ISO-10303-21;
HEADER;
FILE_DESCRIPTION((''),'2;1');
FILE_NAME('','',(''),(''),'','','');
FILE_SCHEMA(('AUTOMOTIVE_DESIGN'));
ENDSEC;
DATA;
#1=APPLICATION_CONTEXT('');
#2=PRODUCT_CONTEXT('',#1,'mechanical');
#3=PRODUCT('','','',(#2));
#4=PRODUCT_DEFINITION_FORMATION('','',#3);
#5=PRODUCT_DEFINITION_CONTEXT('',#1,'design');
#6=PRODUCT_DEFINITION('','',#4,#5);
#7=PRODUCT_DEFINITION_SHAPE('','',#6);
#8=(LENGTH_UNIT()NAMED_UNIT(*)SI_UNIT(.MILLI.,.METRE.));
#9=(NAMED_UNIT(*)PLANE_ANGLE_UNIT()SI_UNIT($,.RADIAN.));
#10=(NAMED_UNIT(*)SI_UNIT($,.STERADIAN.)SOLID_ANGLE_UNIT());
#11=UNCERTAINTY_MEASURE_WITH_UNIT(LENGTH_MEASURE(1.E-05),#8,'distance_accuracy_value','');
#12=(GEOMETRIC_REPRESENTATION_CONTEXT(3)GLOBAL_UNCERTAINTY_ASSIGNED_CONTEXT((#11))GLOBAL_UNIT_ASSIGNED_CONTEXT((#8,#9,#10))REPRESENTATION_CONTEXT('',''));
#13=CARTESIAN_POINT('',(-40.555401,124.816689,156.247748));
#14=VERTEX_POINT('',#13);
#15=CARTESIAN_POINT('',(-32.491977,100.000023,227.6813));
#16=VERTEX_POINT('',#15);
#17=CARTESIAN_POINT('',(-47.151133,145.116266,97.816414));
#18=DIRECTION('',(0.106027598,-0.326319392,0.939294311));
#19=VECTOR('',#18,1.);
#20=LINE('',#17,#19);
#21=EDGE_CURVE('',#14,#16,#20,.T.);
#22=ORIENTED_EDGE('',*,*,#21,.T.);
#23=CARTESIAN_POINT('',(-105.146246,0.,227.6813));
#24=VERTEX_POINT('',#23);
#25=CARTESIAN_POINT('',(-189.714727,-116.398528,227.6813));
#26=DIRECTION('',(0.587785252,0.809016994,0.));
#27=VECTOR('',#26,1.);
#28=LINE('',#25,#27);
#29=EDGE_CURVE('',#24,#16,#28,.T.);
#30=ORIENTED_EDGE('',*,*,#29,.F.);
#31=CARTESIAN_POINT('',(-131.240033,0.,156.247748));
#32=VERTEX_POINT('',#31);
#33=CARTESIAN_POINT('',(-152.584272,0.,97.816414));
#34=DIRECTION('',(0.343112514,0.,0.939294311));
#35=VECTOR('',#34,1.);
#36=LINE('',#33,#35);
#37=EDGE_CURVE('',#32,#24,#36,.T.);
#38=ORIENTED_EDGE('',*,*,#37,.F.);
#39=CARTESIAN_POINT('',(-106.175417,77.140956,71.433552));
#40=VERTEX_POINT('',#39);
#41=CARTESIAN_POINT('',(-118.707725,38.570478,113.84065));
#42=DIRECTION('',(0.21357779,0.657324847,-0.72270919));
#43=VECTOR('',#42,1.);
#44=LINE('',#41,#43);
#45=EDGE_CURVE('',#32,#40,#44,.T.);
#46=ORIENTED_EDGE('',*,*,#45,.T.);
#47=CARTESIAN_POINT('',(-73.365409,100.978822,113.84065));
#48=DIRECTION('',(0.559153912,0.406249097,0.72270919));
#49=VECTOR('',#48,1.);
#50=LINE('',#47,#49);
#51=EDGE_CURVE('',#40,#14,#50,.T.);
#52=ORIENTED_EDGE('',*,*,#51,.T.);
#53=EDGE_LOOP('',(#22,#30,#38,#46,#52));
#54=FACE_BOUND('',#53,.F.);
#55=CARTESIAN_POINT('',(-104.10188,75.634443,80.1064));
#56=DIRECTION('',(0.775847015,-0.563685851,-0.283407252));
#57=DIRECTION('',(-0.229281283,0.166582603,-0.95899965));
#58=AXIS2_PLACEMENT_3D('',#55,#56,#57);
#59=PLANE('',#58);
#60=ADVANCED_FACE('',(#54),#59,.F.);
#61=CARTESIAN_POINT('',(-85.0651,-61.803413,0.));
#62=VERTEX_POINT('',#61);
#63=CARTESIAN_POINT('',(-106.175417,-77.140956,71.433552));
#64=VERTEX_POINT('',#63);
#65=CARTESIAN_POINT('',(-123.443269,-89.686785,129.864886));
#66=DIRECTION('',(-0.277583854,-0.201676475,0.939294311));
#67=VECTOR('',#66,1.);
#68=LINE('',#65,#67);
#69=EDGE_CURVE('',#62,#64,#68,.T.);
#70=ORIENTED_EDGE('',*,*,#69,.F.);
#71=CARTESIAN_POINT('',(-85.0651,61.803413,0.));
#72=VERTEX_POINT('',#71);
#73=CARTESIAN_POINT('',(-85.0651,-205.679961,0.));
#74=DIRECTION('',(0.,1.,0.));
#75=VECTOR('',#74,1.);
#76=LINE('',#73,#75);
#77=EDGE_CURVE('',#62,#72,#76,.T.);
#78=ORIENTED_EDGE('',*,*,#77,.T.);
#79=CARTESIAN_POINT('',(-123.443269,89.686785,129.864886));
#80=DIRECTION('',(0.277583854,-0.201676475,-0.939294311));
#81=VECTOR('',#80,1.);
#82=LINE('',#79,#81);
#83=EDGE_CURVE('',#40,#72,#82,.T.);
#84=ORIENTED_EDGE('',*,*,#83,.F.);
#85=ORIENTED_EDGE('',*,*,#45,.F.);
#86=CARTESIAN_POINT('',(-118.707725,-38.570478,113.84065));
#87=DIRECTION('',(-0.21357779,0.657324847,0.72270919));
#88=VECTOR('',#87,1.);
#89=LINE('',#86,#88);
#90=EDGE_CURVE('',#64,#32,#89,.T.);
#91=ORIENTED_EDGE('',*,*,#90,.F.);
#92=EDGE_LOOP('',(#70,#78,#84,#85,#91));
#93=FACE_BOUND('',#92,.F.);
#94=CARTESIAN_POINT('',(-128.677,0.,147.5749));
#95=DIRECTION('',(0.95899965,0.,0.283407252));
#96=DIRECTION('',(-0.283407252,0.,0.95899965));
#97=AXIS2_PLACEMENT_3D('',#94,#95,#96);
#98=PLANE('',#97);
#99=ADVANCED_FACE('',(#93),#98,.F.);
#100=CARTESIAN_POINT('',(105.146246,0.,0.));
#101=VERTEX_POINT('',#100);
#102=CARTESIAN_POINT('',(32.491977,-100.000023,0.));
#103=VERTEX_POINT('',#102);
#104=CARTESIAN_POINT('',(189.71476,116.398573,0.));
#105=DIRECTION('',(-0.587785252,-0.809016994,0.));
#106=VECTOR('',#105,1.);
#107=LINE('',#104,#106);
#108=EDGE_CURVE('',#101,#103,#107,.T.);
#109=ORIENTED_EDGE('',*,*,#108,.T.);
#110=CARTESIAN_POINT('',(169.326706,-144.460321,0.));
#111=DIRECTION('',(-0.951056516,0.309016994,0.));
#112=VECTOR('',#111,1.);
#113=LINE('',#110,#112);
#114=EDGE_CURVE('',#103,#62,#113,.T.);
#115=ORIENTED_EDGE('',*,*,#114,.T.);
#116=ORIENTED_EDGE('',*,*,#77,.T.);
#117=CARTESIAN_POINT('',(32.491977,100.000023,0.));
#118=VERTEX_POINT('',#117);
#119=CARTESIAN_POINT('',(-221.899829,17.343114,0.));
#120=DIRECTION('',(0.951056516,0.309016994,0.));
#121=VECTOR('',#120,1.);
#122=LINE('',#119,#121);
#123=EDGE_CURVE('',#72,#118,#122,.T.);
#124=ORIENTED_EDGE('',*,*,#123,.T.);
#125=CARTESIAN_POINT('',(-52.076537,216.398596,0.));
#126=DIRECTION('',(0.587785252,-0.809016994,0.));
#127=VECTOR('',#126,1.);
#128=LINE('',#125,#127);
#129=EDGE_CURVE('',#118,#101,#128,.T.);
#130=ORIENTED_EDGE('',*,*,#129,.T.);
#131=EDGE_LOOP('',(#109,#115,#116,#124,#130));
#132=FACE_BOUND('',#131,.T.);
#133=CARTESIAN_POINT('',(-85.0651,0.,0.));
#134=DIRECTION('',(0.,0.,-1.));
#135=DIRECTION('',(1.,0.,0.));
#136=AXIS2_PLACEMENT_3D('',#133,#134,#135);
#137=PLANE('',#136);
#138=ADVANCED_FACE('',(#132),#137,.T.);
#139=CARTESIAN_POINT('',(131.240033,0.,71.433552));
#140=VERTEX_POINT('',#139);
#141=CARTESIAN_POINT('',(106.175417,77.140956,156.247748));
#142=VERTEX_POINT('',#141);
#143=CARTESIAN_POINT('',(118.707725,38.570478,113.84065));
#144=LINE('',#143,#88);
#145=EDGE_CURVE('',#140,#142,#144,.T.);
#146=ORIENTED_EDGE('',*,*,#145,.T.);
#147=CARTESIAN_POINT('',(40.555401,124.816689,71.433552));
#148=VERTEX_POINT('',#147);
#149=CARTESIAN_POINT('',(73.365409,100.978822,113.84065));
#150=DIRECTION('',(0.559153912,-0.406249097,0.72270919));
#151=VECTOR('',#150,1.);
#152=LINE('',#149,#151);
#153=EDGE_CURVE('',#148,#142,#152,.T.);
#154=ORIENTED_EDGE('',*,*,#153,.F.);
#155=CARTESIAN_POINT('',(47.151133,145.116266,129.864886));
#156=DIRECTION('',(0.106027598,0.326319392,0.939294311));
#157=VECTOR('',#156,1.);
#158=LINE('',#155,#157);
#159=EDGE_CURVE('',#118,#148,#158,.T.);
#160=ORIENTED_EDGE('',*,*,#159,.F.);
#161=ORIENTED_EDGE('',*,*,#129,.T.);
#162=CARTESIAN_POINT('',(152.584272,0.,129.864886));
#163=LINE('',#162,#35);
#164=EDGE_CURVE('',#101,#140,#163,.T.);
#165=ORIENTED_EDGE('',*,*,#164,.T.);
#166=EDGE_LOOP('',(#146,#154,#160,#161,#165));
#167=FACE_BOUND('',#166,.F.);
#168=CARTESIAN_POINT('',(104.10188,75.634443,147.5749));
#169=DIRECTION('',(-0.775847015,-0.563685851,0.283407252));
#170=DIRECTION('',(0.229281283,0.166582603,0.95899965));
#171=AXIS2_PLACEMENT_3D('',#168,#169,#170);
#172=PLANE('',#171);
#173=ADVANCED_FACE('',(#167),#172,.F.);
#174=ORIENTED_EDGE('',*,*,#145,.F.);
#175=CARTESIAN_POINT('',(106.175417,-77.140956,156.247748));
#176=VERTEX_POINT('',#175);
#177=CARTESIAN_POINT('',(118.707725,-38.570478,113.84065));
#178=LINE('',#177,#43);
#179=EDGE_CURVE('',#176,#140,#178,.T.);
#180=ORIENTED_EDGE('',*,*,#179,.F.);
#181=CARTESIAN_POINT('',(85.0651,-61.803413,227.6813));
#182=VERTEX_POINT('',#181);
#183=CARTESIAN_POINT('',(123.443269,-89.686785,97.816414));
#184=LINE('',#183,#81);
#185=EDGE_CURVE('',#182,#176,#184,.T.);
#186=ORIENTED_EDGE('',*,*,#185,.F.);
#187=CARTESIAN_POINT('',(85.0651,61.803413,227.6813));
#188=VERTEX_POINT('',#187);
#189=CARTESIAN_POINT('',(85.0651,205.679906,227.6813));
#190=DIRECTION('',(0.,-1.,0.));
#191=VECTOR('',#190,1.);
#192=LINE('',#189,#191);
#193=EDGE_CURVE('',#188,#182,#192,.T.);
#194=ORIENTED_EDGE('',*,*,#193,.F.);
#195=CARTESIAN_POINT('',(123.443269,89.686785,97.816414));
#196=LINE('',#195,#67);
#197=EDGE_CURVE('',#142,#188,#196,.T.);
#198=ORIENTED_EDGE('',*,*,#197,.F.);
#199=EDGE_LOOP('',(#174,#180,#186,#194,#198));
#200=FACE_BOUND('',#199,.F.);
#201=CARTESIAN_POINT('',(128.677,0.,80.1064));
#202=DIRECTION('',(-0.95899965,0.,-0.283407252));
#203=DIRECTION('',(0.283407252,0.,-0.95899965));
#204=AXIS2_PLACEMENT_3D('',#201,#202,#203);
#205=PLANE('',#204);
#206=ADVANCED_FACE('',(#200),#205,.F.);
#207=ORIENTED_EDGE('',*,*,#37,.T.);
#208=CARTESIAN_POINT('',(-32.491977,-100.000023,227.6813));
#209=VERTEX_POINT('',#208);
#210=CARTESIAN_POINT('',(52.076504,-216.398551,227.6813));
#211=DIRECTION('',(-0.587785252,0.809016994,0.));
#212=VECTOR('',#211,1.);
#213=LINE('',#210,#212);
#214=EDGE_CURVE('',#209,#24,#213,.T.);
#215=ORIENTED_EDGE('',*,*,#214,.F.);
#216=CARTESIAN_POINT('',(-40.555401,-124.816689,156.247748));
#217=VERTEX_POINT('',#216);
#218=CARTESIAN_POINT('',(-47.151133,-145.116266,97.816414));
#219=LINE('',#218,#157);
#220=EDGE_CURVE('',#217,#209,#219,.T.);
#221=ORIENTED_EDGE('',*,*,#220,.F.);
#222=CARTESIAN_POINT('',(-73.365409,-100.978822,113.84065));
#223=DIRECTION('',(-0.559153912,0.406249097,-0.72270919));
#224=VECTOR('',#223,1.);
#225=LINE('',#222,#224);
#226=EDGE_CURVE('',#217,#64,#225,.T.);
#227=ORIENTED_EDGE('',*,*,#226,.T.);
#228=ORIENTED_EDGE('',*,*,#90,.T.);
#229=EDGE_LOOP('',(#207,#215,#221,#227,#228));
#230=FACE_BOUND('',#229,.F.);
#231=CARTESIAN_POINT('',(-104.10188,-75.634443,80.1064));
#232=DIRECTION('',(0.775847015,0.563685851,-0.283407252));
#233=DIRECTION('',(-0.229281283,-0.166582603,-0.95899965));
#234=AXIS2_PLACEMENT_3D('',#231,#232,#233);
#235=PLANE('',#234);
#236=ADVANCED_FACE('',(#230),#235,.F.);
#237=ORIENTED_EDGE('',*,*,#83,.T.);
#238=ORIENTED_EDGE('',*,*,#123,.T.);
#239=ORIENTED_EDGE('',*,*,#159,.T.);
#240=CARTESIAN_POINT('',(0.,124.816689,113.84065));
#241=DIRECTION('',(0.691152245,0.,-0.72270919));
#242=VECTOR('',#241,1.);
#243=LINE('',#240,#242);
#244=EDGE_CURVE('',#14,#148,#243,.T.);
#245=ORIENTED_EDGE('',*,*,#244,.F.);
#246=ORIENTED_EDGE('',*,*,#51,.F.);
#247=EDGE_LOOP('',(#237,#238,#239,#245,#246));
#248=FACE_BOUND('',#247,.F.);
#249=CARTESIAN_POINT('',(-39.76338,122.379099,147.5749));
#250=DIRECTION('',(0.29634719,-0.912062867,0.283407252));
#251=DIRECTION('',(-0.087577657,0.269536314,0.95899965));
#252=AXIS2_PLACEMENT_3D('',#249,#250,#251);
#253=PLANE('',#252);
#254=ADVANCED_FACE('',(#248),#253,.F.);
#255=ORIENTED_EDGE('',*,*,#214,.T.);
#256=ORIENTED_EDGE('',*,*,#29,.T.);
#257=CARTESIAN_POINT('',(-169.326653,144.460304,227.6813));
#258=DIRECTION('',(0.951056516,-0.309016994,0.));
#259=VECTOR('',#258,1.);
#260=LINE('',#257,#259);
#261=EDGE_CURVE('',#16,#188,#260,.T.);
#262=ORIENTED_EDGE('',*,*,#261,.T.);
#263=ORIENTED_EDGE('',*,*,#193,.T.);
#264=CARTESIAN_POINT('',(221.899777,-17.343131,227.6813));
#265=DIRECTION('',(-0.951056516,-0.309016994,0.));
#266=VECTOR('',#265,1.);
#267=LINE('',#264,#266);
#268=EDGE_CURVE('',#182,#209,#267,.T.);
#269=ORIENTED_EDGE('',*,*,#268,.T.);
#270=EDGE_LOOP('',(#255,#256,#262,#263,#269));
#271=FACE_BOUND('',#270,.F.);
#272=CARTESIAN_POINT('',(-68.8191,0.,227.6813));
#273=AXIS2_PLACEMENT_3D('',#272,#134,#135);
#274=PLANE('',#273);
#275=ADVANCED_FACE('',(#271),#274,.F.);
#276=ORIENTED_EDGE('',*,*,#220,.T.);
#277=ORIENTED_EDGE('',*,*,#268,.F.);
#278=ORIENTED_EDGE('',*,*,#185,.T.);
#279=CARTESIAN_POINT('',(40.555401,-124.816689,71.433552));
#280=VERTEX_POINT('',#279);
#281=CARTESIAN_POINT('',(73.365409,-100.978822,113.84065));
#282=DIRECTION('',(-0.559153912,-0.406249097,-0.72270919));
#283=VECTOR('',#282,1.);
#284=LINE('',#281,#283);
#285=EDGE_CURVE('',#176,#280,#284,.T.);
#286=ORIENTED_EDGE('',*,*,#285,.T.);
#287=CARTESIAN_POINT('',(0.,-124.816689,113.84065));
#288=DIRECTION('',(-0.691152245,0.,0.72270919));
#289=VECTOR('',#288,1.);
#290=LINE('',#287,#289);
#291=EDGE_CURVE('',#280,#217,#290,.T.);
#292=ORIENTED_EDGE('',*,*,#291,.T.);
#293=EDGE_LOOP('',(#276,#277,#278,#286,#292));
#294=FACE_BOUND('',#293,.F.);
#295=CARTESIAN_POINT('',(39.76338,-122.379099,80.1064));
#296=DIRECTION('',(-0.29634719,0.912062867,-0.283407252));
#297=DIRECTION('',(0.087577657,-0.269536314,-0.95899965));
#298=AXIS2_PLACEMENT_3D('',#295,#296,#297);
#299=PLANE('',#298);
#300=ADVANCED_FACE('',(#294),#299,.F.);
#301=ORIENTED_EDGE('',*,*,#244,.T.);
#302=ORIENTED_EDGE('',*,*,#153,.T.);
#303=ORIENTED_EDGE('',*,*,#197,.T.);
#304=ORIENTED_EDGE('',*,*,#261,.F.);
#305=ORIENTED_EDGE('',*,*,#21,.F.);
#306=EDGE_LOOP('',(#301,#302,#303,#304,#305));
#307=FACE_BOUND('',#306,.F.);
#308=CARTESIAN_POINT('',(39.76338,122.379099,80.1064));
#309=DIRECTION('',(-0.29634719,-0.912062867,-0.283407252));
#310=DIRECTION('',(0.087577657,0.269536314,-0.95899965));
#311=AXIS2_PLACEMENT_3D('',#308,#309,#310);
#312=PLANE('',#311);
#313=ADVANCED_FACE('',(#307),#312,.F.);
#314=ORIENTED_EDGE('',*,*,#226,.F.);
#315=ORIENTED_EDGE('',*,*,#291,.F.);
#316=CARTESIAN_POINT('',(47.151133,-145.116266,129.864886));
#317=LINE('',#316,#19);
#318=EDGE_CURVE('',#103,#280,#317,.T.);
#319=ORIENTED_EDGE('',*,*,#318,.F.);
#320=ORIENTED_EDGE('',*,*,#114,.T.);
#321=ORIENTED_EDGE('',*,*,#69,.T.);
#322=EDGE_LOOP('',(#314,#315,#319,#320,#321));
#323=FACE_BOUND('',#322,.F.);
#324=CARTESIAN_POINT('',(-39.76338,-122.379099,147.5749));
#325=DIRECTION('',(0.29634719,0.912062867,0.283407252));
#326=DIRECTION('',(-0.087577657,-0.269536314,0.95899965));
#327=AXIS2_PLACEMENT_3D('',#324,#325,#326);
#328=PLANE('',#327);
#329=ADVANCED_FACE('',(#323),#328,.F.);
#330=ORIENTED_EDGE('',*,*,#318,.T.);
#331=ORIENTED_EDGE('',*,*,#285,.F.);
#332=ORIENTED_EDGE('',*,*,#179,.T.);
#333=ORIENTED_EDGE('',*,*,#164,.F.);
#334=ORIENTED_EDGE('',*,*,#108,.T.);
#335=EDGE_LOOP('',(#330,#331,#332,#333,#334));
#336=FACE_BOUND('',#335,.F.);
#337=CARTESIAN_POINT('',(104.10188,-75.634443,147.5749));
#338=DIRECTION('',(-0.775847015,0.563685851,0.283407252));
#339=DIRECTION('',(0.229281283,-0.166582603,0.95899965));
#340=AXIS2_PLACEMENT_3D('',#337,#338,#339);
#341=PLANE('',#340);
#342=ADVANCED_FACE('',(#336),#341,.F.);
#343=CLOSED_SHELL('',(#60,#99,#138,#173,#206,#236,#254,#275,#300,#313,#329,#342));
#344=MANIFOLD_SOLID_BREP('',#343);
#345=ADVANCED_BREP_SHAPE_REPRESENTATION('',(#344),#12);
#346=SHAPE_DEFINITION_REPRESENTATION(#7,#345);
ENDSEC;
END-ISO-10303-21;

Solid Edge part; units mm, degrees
sketch "Sketch1" plane through (0, 0, 0) normal (0, -1, 0) x (1, 0, 0)
  arc A0 (0, 363.8406) -> (0, -136.1594) centre (0, 113.8406) ccw
  line L0 (0, 363.8406) -> (0, -136.1594)
revolve "RevolvedProtrusion1" add sketch "Sketch1" angle 360 about axis through (0, 0, 363.8406) along (0, 0, -1)
sketch "Sketch2" plane through (0, 0, 0) normal (0, -1, 0) x (1, 0, 0)
  line L0 (-85.0651, 0) -> (-128.677, 147.5749)
  line L1 (-85.0651, 0) -> (68.8191, 0)
extrude "Cutout1" cut sketch "Sketch2" against normal up to next and the other way up to next material side at (-106.919, 0, 73.7733)
sketch "Sketch3" plane through (0, 0, 0) normal (0, -1, 0) x (1, 0, 0)
  line L0 (-68.8191, 227.6813) -> (85.0651, 227.6813)
  line L1 (85.0651, 227.6813) -> (128.677, 80.1064)
extrude "Cutout2" cut sketch "Sketch3" against normal up to next and the other way up to next material side at (8.123, 0, 227.7313)
pattern_circular "Pattern1" count 5 over 360 about axis through (0, 0, 0) along (0, 0, 1) of "Cutout1", "Cutout2"
